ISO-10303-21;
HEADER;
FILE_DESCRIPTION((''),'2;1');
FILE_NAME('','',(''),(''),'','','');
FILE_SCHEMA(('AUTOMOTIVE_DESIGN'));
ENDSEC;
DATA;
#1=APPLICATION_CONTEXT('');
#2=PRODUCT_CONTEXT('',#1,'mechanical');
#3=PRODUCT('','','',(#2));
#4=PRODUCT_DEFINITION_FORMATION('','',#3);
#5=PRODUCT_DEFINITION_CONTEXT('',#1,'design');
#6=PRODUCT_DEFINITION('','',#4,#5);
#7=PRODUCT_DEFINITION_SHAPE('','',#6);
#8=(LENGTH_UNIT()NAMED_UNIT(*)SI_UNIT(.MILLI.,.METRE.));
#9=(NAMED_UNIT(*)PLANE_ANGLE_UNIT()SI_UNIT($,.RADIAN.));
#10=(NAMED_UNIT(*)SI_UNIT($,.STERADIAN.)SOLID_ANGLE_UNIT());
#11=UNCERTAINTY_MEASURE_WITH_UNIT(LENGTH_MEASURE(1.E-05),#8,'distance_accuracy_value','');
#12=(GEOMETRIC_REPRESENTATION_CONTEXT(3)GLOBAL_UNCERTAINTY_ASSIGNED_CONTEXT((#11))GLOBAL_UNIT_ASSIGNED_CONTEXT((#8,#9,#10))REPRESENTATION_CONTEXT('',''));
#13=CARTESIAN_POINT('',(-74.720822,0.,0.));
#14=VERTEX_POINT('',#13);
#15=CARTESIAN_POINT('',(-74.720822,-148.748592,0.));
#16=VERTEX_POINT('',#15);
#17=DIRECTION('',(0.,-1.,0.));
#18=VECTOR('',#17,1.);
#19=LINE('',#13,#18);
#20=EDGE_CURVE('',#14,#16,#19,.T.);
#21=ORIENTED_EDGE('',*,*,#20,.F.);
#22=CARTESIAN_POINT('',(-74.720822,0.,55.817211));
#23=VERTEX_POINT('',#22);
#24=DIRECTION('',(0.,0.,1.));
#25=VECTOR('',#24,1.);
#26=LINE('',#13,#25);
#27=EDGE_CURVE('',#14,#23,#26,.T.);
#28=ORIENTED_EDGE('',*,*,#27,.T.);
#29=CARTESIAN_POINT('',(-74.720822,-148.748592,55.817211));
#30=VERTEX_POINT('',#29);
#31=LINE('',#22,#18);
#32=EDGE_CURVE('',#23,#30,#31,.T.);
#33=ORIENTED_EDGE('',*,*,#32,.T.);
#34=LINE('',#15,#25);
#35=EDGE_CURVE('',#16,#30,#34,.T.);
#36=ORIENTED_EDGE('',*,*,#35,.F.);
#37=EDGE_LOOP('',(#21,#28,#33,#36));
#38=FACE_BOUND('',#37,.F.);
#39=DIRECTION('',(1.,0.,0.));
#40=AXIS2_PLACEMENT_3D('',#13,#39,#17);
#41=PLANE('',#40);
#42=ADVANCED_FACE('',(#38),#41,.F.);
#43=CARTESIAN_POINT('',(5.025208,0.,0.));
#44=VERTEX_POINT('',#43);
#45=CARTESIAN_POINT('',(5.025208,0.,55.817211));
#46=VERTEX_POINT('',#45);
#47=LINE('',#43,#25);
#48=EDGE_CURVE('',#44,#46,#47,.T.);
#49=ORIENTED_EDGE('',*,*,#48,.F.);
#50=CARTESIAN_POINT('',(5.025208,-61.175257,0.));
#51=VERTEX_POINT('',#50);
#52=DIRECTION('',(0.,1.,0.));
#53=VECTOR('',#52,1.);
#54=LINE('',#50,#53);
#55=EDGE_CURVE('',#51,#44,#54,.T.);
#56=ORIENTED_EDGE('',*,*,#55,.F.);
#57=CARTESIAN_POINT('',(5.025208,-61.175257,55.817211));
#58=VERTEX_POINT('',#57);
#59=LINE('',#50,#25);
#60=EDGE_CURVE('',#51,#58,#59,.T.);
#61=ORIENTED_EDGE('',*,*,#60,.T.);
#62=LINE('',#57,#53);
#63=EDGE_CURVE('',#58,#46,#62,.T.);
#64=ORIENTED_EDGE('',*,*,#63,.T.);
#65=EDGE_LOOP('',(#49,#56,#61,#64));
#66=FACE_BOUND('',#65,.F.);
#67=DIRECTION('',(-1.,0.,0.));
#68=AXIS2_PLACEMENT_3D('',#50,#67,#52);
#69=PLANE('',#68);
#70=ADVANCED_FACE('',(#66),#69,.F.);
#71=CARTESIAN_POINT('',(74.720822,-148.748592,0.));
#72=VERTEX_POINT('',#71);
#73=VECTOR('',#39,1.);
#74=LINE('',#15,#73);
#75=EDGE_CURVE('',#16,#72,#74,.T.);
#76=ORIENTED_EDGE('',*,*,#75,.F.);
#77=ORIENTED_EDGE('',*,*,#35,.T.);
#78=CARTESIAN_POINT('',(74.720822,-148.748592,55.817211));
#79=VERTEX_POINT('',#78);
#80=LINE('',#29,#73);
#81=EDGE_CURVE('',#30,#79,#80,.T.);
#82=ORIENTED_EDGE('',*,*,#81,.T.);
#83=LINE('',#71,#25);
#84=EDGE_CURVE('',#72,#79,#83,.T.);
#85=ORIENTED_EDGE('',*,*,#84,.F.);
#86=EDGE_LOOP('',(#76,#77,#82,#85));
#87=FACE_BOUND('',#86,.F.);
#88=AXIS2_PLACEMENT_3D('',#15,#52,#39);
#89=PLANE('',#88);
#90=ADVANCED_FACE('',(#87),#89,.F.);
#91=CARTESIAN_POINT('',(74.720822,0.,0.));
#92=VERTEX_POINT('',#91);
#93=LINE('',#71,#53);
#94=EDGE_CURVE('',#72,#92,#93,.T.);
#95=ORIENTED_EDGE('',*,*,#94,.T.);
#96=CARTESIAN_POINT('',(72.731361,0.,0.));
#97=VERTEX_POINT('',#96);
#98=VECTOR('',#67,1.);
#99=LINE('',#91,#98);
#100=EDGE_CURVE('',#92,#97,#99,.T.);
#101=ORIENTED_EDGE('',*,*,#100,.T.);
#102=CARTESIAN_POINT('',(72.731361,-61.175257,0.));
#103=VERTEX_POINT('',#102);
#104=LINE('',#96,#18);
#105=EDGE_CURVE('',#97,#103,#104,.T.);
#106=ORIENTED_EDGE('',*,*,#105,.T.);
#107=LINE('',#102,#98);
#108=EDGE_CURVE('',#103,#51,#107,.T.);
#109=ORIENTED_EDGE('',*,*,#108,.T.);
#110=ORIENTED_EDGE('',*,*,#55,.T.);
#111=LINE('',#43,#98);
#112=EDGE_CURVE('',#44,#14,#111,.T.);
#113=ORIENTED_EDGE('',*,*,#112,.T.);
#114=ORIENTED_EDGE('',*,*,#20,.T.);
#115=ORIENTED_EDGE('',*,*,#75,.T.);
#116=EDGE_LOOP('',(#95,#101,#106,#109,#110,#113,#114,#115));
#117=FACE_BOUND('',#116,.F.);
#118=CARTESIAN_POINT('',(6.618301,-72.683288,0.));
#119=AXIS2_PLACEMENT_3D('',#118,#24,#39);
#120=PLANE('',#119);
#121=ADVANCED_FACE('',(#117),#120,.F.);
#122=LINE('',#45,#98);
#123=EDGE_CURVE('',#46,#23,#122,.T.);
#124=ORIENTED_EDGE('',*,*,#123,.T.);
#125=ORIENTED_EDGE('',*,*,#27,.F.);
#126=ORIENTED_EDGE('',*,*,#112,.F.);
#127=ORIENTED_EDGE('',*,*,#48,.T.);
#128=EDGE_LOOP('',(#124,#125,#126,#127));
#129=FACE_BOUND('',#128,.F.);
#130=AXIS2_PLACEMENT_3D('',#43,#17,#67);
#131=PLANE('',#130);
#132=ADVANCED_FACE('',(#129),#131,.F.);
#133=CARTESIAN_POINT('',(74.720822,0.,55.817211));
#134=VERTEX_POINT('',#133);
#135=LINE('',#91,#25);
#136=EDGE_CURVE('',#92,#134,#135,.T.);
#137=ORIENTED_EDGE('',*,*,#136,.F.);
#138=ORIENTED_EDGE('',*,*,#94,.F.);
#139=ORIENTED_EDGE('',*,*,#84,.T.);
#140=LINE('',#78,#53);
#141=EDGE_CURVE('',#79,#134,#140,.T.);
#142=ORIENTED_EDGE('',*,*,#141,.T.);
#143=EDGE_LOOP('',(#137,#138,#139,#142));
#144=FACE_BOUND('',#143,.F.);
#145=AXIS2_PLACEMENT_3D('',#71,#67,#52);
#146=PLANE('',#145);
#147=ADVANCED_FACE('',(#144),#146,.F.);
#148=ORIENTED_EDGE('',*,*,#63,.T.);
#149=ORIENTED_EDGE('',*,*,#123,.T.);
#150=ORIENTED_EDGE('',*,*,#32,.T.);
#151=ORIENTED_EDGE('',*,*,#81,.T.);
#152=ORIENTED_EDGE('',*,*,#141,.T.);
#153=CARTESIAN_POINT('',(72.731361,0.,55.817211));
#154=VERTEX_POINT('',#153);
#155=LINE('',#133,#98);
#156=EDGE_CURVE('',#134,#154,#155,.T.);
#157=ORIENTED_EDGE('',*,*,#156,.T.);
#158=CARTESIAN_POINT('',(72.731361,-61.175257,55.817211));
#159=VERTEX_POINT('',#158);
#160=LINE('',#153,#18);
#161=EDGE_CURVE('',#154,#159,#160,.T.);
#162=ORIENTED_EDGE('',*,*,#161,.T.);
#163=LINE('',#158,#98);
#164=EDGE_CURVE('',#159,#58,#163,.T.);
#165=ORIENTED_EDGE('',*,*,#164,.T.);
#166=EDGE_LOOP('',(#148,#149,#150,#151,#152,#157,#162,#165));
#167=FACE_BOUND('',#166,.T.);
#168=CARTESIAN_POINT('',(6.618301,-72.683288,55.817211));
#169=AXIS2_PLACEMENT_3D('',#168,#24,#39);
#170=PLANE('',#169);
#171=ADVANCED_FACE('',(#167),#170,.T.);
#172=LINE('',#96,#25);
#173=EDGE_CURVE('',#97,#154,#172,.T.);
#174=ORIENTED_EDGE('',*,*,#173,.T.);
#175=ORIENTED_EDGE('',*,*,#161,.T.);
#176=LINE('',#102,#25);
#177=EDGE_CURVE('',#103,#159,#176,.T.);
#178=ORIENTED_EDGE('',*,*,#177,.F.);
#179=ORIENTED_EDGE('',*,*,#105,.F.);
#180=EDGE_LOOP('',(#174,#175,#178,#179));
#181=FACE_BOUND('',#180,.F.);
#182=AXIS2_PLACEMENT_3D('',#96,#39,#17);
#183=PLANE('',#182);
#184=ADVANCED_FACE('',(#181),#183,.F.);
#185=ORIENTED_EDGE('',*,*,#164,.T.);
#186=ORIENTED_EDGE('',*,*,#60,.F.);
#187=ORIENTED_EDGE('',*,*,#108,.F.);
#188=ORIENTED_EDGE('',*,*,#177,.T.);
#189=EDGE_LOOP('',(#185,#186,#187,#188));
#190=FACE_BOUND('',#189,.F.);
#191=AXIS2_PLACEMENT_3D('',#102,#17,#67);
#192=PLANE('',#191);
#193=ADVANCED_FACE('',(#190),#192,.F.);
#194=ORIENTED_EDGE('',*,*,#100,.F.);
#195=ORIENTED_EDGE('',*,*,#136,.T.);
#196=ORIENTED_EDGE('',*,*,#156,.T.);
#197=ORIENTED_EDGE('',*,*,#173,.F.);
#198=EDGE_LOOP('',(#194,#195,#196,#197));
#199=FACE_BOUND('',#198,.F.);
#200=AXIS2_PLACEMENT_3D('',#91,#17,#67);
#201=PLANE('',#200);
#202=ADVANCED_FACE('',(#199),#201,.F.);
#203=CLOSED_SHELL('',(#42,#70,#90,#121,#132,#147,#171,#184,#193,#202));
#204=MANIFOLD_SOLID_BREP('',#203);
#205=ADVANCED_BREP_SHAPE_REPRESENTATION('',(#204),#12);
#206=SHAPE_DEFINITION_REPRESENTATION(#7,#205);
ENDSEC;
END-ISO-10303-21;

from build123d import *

# Parameters (mm, degrees)
F2_DEPTH = 55.817211


with BuildPart() as f2:
    # F1 (on face) → F2 (new body)
    with BuildSketch(Plane.XY):
        Polygon((5.025208, 0), (-40.942453, 0), (-74.720822, 0), (-74.720822, -148.748592), (74.720822, -148.748592), (74.720822, 0), (72.731361, 0), (72.731361, -61.175257), (5.025208, -61.175257), align=None)
    extrude(amount=F2_DEPTH)


solid = f2.part
